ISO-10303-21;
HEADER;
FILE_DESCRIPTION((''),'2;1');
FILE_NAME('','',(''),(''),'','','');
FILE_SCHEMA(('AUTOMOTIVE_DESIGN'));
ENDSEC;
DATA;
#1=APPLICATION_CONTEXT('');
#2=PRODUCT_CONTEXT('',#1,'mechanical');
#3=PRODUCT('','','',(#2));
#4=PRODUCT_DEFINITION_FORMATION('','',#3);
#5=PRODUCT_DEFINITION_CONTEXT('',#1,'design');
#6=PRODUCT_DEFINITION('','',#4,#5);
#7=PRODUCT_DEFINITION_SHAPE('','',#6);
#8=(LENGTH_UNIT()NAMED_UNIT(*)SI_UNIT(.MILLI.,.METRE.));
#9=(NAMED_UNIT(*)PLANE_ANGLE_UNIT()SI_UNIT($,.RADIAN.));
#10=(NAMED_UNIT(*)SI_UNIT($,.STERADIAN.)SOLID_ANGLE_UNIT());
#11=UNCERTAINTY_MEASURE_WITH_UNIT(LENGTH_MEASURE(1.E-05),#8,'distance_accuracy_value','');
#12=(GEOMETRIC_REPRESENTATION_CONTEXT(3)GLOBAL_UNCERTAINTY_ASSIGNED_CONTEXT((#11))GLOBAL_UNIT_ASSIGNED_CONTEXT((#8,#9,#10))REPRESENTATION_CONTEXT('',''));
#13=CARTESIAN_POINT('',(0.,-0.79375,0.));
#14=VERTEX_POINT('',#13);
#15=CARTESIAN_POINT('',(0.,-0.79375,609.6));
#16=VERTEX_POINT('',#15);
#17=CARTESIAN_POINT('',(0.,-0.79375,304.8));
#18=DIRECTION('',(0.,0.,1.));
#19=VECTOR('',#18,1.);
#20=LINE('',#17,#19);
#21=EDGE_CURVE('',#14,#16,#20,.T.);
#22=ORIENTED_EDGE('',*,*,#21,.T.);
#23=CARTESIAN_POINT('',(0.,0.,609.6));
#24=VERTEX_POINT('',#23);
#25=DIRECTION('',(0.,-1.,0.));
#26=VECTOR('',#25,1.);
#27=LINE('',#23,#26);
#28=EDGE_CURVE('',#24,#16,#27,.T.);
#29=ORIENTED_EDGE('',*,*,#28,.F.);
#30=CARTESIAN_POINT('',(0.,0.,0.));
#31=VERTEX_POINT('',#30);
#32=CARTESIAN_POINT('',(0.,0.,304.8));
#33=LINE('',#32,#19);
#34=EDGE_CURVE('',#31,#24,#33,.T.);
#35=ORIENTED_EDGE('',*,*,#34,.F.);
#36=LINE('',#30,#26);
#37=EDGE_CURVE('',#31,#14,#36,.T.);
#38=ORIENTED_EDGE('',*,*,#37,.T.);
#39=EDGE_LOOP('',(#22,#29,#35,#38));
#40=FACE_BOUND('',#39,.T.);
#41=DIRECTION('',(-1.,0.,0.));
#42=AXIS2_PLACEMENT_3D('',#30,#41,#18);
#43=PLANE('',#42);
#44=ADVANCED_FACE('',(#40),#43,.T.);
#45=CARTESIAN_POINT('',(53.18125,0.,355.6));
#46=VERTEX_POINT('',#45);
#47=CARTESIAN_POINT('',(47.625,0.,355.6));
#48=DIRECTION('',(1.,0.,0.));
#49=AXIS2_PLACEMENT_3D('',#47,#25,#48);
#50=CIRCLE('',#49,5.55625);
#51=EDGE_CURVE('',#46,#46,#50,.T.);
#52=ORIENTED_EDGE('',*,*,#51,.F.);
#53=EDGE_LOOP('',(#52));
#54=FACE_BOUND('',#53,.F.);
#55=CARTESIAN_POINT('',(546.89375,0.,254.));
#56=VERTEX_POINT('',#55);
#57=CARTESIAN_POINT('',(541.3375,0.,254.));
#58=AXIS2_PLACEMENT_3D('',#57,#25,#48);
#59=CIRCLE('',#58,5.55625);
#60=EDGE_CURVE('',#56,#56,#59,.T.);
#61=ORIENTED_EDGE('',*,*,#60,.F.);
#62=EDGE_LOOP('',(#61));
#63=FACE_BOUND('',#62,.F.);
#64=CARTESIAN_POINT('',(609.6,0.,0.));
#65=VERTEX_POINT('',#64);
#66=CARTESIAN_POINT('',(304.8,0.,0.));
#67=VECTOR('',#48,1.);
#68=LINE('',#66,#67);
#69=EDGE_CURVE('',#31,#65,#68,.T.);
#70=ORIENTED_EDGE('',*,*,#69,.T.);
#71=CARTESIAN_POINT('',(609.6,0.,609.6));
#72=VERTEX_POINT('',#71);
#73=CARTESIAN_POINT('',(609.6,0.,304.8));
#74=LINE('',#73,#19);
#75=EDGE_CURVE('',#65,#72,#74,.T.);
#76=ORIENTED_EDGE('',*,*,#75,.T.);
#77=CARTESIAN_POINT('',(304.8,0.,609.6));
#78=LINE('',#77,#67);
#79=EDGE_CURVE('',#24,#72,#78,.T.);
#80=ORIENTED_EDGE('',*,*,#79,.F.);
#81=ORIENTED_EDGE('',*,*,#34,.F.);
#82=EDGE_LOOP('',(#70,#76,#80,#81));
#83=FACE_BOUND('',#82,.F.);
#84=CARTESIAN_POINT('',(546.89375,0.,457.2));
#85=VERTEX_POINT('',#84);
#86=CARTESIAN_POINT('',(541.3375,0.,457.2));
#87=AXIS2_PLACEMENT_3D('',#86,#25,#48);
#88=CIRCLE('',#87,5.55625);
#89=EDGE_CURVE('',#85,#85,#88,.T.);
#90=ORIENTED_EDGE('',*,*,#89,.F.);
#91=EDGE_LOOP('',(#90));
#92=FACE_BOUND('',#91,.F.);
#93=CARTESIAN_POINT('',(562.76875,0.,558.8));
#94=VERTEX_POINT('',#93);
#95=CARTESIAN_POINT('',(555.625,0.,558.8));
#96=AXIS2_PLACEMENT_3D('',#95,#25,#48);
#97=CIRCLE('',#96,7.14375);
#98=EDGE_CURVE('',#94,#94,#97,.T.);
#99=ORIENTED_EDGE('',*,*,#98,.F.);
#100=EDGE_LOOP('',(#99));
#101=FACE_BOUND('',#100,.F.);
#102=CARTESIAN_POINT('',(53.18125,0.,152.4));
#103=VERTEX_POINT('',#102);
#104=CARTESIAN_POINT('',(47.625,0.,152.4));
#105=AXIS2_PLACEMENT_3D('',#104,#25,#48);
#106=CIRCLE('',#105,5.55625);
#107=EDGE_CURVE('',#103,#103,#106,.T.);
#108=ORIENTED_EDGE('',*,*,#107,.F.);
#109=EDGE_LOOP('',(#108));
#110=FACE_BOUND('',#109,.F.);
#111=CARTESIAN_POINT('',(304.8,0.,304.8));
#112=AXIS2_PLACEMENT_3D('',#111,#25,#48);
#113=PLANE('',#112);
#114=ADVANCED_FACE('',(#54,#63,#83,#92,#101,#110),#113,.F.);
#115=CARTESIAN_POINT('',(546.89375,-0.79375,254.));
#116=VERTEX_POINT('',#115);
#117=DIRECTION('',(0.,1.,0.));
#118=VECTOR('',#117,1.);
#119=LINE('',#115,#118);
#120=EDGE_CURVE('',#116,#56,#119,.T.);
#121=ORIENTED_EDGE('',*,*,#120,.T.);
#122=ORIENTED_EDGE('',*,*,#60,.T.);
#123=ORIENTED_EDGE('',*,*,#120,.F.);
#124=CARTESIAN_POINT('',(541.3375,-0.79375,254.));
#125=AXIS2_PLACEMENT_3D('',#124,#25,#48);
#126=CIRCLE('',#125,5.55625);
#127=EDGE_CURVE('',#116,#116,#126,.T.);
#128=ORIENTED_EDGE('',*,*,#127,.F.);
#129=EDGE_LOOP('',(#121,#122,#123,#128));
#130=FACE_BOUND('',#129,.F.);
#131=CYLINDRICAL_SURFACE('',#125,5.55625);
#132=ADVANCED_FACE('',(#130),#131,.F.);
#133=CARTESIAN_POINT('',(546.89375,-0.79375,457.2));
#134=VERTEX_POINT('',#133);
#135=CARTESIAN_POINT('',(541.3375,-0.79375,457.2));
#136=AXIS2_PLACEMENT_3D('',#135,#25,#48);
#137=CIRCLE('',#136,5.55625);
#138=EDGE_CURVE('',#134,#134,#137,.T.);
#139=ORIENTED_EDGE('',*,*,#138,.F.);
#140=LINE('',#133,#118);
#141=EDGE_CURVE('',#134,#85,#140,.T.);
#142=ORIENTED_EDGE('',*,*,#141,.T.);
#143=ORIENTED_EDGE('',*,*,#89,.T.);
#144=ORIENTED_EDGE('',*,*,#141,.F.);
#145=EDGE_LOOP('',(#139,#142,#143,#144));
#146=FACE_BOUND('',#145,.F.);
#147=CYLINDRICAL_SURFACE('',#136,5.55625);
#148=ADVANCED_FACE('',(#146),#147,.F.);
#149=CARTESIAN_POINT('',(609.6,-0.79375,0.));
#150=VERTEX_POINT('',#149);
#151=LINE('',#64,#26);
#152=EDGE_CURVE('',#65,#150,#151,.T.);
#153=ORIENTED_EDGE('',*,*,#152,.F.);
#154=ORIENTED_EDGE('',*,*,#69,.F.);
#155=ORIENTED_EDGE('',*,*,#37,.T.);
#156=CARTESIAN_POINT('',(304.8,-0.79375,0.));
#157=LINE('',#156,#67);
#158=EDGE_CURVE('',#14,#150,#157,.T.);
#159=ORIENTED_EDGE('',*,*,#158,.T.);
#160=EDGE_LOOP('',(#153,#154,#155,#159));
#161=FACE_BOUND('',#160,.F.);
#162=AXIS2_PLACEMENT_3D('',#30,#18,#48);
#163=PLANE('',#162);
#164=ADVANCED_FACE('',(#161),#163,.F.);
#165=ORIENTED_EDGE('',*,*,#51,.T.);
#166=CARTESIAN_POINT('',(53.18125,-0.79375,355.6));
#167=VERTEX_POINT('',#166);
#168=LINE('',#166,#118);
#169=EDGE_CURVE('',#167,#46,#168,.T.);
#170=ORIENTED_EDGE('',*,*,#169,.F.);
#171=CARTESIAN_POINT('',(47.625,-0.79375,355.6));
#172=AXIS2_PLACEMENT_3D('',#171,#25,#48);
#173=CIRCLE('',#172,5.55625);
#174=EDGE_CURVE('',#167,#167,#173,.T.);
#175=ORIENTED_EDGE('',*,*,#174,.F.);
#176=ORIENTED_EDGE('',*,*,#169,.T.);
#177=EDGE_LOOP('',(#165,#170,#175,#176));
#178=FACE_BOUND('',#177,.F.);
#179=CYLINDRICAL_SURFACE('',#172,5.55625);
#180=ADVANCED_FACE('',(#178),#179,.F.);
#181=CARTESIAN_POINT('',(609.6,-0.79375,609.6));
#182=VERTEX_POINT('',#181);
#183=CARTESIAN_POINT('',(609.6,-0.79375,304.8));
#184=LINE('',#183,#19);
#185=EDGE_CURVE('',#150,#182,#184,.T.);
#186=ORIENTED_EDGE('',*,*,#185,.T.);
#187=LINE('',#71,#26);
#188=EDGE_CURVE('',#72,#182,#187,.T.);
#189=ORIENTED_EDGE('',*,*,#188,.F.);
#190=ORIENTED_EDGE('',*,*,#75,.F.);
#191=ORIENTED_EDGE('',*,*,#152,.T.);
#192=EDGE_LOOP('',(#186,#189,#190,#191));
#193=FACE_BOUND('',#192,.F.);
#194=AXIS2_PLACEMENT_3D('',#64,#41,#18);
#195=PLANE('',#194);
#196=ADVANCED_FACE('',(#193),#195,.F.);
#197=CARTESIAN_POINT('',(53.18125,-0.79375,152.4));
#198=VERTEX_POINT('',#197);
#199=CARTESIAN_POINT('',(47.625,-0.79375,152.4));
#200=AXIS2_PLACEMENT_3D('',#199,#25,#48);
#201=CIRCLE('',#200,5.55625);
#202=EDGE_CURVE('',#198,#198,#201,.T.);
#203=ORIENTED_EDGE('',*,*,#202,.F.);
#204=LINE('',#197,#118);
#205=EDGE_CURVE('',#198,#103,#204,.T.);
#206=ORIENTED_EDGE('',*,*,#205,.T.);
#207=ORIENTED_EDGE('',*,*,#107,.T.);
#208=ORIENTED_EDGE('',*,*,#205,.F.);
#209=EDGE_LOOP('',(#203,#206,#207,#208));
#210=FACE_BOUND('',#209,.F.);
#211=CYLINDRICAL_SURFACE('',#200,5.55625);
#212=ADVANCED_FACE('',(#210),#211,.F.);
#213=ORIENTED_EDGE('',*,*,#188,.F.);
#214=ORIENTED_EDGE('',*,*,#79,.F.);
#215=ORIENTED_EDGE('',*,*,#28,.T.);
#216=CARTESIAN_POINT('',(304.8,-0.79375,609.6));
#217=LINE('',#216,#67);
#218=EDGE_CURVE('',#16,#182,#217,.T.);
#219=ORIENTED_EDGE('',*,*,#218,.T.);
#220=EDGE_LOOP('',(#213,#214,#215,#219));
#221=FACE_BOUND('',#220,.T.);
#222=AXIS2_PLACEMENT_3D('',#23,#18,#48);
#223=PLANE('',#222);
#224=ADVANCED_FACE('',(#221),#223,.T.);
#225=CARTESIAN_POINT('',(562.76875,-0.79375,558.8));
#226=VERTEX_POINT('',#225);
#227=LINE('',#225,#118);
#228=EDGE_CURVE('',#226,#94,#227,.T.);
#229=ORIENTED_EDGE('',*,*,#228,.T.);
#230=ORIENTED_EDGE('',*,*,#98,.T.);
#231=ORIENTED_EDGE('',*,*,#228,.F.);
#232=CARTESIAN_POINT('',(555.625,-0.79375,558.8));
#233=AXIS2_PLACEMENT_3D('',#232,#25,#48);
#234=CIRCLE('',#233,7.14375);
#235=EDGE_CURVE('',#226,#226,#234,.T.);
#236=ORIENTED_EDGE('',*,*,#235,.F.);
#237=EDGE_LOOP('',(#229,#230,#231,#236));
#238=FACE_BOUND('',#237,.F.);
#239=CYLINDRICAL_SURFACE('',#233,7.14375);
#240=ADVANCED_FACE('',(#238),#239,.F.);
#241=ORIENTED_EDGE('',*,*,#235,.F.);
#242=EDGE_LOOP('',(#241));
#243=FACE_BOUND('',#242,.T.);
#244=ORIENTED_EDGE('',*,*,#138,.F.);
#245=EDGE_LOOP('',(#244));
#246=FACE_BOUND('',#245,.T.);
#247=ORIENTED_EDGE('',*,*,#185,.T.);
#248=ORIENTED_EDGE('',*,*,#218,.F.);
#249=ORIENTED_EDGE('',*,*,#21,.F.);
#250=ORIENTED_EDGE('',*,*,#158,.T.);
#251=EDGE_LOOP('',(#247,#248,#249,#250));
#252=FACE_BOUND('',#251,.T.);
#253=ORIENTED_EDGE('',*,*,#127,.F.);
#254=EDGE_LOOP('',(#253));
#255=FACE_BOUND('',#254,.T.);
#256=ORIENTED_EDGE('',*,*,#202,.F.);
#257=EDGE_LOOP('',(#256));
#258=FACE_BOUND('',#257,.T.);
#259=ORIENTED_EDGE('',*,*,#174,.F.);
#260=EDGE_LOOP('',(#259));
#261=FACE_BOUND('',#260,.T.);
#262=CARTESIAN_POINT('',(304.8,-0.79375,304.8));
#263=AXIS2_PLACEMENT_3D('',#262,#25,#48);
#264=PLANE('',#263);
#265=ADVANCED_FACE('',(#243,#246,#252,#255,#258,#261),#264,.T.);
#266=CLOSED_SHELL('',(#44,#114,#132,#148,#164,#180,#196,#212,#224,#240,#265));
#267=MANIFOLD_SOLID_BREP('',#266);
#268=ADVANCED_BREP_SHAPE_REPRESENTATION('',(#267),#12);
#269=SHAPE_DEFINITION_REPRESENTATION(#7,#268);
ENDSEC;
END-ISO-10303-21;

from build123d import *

# Parameters (mm, degrees)
F0_W     = 609.6
F0_H     = 609.6
F1_DEPTH = 0.79375
F2_R     = 5.55625
F3_DEPTH = 25.4
F4_R     = 7.14375
F5_DEPTH = 25.4


with BuildPart() as f1:
    # F0 (on Front) → F1 (new body)
    with BuildSketch(Plane.XZ):
        with Locations((304.8, 304.8)):
            Rectangle(F0_W, F0_H)
    extrude(amount=F1_DEPTH)

    # F2 (on face) → F3 (cut)
    with BuildSketch(Plane.XZ.offset(0.79375)):
        with Locations((47.625, 355.6)):
            Circle(F2_R)
        with Locations((47.625, 152.4)):
            Circle(F2_R)
        with Locations((541.3375, 254)):
            Circle(F2_R)
        with Locations((541.3375, 457.2)):
            Circle(F2_R)
    extrude(amount=-F3_DEPTH, mode=Mode.SUBTRACT)

    # F4 (on face) → F5 (cut)
    with BuildSketch(Plane.XZ.offset(0.79375)):
        with Locations((555.625, 558.8)):
            Circle(F4_R)
    extrude(amount=-F5_DEPTH, mode=Mode.SUBTRACT)


solid = f1.part
